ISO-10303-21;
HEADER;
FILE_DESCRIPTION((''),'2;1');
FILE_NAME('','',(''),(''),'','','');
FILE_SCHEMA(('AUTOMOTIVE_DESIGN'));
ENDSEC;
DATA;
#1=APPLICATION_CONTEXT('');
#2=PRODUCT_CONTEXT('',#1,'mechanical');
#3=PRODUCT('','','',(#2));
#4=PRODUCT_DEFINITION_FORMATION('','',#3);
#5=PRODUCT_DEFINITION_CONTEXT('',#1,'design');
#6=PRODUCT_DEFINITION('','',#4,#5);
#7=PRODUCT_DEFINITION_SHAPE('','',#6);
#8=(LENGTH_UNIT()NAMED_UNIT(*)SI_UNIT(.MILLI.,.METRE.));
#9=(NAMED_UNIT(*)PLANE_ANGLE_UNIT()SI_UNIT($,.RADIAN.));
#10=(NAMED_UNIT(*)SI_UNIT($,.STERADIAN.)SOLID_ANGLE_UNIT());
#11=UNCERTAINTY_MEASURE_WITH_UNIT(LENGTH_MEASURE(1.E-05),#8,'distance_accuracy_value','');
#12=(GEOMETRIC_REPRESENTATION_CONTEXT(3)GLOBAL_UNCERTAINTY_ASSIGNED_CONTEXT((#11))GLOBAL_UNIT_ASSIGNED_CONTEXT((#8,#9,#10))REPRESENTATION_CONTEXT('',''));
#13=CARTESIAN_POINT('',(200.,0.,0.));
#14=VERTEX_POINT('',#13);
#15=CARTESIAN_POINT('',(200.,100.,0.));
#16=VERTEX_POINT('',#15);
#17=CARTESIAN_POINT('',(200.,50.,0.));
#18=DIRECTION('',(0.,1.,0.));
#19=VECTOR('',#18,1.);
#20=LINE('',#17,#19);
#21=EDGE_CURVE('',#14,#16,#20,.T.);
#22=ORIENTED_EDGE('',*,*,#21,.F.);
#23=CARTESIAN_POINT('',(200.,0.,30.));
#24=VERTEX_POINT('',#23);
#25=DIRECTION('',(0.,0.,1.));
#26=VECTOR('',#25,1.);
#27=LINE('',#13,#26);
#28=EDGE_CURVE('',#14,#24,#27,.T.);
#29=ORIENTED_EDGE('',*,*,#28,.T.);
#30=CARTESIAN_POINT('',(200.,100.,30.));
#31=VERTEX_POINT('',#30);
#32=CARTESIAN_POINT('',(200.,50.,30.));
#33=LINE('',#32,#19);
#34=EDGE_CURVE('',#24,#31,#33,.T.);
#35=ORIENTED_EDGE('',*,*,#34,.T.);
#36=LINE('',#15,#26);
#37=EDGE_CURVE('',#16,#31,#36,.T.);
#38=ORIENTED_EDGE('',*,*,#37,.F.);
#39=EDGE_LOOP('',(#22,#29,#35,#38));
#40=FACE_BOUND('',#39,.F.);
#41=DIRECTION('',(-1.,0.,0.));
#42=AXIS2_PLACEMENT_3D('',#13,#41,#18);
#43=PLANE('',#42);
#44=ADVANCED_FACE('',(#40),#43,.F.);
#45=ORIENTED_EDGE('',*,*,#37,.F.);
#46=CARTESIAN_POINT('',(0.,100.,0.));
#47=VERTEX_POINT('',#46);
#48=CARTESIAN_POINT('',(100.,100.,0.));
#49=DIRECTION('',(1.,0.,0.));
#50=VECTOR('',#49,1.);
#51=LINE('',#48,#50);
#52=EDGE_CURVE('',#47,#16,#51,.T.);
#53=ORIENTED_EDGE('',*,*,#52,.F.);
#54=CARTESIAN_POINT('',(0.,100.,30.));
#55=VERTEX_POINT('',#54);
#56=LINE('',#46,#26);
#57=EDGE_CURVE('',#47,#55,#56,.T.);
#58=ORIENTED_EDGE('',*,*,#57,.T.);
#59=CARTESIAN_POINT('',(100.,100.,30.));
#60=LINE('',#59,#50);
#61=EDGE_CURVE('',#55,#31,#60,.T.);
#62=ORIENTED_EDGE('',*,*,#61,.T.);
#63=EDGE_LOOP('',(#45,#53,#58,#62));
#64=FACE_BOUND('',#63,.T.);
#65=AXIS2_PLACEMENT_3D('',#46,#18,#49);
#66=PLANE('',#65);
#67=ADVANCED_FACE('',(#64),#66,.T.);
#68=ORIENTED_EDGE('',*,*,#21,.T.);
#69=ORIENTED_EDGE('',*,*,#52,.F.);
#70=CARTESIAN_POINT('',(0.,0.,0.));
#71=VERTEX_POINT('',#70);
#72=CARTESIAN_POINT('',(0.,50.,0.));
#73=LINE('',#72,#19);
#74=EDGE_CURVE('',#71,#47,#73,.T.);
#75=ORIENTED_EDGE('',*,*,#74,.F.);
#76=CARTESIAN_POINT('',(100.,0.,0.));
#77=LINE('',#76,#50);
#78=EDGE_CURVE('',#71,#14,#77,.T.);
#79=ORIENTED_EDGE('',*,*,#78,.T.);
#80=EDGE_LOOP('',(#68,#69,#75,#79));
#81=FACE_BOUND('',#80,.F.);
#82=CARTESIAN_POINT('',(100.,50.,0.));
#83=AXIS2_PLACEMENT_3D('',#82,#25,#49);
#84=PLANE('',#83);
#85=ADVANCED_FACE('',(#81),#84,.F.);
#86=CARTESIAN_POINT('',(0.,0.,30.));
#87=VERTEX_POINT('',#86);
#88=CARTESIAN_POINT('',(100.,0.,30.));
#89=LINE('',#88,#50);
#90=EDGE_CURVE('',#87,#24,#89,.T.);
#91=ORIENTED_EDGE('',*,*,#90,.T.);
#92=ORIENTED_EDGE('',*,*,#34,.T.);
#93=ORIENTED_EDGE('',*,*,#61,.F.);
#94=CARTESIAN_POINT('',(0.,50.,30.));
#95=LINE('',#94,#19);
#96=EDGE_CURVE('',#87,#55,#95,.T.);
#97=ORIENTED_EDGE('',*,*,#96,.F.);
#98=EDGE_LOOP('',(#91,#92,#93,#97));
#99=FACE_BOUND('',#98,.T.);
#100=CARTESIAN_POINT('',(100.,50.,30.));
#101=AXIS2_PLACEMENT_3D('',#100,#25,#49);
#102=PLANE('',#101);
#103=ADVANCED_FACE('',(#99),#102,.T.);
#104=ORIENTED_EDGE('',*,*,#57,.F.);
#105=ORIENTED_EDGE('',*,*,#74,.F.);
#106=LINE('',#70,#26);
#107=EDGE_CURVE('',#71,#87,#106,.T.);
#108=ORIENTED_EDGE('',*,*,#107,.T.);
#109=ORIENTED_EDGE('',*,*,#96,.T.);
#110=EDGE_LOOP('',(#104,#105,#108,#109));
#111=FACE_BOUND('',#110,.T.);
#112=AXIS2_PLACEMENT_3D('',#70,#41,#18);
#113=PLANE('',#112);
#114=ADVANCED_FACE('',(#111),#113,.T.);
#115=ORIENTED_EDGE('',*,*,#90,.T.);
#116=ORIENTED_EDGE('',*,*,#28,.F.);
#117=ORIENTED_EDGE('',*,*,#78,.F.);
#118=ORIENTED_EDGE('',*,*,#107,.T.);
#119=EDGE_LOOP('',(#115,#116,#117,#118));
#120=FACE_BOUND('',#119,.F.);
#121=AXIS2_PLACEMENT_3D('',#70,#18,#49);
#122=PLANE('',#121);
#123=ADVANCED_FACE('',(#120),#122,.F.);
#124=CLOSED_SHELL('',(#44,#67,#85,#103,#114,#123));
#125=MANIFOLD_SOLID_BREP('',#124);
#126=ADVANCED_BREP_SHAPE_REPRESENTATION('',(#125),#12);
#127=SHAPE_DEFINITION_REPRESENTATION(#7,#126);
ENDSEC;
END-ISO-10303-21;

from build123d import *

# Parameters (mm, degrees)
SKETCH_W  = 200
SKETCH_H  = 100
PAD_DEPTH = 30


with BuildPart() as part:
    # Sketch → Pad (new body)
    with BuildSketch(Plane.XY):
        with Locations((100, 50)):
            Rectangle(SKETCH_W, SKETCH_H)
    extrude(amount=PAD_DEPTH)


solid = part.part
